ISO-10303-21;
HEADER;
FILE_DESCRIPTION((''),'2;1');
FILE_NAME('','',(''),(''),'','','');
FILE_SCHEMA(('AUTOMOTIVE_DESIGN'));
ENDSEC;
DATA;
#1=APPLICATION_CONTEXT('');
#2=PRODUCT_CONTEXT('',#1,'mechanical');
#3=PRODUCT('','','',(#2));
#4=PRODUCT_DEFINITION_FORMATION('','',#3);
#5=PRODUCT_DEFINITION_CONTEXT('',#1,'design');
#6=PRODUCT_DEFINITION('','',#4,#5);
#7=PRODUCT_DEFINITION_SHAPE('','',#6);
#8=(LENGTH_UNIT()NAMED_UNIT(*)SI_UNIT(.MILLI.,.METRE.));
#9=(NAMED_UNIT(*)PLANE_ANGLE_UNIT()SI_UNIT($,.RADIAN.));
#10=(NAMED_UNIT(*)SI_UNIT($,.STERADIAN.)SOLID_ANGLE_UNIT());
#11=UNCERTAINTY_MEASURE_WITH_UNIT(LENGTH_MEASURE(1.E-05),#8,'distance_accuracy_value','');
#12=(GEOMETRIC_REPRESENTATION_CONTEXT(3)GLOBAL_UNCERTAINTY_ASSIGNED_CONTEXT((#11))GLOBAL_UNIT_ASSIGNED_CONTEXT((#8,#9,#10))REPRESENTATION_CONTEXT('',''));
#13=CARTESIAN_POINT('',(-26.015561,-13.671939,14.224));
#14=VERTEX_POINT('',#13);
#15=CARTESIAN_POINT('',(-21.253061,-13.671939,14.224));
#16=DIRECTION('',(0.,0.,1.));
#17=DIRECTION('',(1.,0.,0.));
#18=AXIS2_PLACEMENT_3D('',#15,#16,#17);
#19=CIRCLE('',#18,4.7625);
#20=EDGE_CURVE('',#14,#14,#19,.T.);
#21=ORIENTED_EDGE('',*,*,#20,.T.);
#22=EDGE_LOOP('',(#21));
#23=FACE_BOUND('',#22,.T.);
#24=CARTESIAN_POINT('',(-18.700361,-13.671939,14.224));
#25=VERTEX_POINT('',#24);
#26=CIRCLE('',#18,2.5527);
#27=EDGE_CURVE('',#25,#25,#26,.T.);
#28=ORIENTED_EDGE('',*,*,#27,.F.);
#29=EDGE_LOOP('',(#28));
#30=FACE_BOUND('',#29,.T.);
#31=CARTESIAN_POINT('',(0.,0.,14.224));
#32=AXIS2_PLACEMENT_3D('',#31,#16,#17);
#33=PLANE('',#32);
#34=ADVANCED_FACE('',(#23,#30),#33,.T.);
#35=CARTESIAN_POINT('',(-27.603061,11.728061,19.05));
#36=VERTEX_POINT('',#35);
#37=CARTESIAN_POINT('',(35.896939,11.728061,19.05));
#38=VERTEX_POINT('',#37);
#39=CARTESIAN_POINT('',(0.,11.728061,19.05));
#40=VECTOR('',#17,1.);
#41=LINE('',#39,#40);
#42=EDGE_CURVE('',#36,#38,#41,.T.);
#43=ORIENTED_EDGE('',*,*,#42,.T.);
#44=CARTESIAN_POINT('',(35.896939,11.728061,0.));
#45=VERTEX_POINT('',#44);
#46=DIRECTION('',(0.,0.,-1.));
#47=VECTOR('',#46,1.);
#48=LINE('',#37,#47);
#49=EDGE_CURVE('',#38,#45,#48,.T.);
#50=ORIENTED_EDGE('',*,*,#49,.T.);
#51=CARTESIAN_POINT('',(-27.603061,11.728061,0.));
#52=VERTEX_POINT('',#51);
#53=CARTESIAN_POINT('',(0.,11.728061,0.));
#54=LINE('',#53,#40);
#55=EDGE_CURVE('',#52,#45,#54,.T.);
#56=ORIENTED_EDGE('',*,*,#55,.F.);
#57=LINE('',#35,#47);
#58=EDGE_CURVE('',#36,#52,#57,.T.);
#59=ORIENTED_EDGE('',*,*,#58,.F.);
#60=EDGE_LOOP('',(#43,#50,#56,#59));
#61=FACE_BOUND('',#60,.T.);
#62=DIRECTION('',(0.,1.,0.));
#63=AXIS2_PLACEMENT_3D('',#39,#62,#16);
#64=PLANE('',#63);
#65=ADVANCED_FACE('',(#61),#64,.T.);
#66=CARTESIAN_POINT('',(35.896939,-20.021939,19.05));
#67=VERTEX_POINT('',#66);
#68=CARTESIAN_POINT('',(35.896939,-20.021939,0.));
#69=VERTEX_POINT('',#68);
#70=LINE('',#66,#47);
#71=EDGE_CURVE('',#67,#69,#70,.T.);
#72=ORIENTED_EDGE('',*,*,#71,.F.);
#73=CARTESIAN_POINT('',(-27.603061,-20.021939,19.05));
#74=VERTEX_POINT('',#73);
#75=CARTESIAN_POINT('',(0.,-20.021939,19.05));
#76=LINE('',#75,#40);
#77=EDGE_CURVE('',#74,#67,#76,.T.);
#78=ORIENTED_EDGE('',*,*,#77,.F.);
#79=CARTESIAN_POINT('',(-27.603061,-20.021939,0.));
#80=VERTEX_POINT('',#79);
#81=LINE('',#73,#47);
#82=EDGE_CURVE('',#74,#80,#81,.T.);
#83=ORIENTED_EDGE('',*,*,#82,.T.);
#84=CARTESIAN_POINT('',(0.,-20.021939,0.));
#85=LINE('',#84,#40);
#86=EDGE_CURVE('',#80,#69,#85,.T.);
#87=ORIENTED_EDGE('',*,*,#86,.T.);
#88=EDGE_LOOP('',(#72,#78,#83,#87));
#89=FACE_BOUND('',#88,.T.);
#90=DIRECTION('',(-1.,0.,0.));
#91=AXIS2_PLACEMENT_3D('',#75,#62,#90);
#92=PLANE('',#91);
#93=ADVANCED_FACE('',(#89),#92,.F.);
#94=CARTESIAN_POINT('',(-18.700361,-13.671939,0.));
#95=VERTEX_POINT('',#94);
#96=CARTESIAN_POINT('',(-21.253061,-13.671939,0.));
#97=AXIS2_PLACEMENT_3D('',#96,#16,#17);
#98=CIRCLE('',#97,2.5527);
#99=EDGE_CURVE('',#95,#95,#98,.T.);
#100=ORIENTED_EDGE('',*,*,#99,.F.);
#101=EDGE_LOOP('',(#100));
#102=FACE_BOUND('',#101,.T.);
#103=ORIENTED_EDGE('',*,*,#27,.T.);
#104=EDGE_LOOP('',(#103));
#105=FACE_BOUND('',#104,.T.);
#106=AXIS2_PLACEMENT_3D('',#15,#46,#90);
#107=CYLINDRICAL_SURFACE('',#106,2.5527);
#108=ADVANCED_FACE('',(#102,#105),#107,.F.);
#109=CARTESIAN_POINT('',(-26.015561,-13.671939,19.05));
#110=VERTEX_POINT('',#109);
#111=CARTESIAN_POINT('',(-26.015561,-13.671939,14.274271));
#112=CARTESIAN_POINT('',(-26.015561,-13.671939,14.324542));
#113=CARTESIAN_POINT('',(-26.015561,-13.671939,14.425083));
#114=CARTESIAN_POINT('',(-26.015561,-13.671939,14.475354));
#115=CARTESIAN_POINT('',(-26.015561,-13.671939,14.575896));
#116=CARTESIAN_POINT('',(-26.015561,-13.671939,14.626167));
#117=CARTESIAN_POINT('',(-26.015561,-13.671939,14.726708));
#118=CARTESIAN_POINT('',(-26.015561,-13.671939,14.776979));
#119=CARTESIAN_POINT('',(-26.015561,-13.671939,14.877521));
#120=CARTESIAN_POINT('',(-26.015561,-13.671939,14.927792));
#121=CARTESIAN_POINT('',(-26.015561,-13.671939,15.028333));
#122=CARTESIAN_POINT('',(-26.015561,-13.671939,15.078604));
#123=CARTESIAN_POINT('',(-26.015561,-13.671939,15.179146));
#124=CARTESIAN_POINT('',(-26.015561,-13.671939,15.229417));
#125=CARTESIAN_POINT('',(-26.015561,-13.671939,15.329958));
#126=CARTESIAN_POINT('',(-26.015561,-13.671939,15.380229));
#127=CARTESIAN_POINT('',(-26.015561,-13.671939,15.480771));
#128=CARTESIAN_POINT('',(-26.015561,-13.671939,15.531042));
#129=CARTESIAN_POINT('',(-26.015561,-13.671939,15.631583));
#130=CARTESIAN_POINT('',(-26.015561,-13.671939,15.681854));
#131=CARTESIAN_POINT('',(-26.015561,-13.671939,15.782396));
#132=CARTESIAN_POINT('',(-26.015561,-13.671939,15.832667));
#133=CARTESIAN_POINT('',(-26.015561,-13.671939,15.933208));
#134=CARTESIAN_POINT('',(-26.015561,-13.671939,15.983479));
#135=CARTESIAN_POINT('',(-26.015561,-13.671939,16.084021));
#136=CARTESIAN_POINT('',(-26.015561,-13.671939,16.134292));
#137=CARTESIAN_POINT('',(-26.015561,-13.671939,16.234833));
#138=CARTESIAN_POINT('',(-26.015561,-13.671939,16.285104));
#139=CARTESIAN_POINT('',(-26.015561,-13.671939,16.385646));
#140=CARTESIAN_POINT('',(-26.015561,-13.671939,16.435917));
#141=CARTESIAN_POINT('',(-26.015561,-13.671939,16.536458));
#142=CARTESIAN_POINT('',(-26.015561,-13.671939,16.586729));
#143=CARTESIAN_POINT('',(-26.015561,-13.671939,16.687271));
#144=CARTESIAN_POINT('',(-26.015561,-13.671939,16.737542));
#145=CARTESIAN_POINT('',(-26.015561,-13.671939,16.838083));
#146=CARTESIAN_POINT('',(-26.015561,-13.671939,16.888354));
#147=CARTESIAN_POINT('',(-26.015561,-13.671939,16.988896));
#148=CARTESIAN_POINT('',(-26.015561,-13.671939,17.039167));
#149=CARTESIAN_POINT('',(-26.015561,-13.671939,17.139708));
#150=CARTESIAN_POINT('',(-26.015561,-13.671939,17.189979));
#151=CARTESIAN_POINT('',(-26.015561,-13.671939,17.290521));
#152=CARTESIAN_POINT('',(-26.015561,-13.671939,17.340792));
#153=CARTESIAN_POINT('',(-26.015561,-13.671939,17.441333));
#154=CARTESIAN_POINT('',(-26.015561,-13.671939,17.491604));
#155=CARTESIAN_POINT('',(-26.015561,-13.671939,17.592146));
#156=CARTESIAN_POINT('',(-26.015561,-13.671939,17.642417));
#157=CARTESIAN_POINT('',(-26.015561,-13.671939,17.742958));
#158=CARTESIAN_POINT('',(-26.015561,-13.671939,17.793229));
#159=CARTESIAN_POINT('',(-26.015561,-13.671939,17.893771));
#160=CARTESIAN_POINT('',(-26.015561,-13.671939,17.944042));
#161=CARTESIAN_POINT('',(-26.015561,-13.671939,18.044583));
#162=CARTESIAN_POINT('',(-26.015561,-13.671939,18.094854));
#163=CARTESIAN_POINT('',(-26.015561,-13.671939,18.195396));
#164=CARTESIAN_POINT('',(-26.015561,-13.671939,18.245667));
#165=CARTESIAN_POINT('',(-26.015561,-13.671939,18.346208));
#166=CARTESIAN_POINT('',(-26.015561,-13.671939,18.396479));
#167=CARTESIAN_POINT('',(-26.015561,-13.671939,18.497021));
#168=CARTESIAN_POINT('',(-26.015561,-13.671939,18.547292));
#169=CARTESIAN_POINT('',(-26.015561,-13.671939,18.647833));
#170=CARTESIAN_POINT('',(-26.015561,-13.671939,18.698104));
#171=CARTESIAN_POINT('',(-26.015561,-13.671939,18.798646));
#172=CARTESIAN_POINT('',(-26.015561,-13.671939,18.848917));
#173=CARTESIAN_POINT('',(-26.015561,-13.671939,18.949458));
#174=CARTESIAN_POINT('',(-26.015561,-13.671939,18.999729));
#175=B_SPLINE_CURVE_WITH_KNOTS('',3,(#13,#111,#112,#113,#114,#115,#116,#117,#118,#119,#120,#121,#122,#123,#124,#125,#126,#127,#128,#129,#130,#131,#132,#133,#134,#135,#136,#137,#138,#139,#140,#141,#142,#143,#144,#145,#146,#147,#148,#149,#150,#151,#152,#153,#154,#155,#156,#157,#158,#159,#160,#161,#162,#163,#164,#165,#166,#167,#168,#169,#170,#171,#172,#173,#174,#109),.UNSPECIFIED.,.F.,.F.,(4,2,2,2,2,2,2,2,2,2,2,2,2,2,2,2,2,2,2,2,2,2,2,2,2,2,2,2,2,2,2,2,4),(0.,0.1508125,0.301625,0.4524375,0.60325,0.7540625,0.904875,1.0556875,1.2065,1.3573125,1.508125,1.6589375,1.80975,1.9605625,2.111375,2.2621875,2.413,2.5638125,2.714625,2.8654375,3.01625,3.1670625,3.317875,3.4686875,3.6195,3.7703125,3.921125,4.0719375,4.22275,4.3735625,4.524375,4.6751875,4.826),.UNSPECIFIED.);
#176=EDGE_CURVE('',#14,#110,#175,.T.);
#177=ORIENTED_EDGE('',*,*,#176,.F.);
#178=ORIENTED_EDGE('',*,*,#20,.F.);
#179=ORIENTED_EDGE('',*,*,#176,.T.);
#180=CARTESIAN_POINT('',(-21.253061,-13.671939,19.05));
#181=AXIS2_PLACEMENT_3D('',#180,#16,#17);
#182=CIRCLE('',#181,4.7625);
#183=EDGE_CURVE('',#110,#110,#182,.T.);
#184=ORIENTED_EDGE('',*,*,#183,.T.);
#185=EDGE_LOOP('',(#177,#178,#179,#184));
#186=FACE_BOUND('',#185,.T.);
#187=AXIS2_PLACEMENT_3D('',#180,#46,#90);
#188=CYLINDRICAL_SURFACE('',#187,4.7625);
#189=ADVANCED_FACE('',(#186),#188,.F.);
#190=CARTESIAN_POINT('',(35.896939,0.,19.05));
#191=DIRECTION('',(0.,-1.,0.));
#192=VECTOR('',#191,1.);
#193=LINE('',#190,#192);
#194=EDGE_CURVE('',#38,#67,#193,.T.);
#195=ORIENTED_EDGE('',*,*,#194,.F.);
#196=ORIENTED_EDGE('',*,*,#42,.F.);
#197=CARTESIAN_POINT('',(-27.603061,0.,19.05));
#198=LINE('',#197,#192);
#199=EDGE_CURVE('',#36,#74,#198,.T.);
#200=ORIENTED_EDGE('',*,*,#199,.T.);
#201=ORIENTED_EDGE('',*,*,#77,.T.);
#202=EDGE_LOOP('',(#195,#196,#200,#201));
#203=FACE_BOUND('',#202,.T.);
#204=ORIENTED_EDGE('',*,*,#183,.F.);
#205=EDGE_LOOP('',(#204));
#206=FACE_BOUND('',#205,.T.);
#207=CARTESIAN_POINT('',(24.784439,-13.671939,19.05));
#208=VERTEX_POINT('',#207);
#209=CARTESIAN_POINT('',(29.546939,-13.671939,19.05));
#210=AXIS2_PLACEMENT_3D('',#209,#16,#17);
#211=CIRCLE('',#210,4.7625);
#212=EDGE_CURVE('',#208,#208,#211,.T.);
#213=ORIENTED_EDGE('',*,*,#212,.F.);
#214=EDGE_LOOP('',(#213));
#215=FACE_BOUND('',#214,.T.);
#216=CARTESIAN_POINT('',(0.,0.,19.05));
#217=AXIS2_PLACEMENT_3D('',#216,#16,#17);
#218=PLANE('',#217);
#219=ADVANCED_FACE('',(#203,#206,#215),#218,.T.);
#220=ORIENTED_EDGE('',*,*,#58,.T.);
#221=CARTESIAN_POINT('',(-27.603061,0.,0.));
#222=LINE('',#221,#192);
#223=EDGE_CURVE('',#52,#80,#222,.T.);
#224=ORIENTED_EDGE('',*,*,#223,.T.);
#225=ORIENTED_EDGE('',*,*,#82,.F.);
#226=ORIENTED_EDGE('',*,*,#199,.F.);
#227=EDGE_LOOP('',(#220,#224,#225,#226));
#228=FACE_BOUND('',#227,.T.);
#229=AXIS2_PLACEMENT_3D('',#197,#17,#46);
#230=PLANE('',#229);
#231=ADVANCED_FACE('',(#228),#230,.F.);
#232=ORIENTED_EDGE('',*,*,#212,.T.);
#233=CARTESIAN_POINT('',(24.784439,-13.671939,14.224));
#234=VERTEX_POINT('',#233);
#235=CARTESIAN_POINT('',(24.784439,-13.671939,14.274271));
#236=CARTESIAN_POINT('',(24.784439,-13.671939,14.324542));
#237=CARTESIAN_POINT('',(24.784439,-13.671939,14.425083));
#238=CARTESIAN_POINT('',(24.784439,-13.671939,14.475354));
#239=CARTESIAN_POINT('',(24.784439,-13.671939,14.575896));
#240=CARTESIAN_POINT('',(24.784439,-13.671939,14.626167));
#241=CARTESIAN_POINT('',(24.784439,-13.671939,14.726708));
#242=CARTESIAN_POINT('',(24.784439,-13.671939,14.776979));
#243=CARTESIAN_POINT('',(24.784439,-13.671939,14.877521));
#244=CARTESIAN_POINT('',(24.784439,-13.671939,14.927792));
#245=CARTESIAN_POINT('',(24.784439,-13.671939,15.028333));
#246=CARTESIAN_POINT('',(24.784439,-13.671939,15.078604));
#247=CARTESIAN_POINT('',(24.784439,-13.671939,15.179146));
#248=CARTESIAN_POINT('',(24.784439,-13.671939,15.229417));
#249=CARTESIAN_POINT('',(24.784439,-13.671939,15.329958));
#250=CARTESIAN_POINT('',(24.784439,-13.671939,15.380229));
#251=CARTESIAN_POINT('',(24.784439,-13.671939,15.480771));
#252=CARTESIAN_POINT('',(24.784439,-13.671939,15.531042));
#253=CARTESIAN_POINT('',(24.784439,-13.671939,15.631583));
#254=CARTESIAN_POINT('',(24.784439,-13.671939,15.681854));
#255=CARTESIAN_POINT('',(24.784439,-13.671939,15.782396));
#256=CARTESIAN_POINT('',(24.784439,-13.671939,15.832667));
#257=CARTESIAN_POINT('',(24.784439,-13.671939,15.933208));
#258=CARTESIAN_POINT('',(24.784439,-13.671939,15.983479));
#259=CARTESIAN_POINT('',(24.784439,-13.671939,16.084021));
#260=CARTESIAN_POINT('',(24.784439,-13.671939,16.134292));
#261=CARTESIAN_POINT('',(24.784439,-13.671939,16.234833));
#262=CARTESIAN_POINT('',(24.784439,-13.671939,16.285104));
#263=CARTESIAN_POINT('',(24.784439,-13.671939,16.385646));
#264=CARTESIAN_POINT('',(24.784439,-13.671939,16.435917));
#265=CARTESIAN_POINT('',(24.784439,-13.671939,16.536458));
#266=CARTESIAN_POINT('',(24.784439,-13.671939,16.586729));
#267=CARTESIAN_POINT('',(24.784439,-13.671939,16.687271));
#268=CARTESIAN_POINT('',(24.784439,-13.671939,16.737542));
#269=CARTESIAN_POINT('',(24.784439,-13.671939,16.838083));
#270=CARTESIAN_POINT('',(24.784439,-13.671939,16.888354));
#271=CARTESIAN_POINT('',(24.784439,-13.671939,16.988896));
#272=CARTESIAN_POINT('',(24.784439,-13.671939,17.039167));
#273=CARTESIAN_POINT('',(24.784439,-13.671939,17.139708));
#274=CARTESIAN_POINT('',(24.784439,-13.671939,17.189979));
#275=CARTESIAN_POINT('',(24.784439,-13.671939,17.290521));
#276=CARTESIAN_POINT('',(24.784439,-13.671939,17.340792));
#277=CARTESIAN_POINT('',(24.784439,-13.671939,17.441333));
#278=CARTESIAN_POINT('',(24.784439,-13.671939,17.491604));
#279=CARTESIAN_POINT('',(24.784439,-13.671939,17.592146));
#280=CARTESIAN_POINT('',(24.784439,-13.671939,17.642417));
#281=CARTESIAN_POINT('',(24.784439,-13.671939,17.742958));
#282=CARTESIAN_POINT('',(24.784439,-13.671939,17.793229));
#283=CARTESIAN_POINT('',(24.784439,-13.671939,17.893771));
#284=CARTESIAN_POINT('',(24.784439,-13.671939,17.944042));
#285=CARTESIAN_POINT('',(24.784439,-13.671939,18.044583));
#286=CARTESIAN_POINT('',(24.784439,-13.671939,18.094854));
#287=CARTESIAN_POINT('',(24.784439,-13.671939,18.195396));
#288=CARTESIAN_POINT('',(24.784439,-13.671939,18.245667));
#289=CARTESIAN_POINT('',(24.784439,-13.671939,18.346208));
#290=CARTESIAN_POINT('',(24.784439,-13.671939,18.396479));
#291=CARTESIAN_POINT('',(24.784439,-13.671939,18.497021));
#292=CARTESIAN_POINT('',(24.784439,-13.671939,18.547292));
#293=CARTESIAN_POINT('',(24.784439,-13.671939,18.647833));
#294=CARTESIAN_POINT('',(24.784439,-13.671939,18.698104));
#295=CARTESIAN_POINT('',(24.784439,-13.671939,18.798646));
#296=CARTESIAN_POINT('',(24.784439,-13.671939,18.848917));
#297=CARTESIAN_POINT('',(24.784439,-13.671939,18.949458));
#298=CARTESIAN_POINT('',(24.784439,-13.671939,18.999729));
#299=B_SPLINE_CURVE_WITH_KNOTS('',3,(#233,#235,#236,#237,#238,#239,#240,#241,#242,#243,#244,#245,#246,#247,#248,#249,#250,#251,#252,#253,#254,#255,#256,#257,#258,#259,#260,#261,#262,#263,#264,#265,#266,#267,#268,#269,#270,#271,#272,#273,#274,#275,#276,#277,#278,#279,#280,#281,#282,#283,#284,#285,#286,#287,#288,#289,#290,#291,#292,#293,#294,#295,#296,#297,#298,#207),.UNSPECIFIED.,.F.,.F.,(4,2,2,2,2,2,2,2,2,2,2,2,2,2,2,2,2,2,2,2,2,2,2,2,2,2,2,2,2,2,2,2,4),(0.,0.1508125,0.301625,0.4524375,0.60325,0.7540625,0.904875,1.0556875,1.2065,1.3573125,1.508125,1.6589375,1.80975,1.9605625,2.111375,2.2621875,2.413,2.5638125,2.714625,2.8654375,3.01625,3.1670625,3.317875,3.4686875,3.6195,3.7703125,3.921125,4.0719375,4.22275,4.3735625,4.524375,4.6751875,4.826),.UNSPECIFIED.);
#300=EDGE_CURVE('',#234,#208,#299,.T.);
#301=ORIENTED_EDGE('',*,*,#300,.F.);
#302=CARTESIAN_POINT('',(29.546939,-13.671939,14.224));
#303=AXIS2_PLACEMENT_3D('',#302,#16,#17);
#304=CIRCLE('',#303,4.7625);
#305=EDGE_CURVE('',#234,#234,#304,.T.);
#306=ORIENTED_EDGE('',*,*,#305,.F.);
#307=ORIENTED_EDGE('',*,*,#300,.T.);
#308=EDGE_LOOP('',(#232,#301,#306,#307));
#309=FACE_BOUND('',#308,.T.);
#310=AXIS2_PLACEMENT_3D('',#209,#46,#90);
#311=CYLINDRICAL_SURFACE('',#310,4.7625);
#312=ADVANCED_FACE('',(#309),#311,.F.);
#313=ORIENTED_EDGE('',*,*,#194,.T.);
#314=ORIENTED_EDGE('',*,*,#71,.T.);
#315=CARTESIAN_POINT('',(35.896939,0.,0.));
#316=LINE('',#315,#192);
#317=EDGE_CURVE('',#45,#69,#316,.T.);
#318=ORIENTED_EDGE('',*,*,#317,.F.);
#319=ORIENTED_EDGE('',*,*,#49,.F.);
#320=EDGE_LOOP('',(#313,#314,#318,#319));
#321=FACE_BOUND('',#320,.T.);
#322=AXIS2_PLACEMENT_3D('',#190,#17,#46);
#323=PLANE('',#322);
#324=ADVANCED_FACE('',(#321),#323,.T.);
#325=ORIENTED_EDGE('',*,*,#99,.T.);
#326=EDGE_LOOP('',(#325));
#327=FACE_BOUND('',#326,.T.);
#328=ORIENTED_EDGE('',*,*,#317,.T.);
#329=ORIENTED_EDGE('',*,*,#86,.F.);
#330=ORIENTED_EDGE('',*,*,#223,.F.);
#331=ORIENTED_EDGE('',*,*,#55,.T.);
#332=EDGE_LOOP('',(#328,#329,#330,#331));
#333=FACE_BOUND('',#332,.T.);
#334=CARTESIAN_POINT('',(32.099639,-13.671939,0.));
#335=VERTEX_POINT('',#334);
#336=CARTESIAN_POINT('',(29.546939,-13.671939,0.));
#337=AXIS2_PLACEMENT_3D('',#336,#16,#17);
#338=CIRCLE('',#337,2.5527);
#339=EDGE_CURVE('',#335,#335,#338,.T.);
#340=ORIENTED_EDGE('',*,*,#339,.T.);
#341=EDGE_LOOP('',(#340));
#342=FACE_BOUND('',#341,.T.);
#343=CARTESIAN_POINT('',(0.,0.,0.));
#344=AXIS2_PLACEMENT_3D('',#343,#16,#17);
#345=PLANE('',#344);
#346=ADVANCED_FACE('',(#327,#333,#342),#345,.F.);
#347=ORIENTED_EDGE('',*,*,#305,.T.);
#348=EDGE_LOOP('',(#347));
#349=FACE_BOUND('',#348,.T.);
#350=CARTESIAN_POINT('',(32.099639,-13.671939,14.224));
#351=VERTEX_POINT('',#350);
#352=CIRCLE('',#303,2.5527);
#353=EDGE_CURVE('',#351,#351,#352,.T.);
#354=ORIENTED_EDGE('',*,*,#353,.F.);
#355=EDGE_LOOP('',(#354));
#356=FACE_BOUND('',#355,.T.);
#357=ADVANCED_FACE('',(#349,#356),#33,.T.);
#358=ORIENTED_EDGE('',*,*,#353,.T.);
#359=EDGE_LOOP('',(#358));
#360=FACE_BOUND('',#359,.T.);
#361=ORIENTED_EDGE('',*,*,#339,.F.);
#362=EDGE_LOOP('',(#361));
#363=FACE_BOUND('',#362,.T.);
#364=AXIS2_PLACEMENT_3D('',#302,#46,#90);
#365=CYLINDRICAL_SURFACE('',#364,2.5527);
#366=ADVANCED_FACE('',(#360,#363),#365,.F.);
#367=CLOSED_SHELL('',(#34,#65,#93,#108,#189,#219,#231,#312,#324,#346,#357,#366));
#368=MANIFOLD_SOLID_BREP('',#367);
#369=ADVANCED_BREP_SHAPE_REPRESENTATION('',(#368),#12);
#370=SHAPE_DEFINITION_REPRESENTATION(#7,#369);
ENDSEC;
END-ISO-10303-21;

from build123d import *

# Parameters (mm, degrees)
SKETCH1_W           = 63.5
SKETCH1_H           = 31.75
SKETCH1_R           = 4.7625
BOSS_EXTRUDE1_DEPTH = 19.05
SKETCH1_3_R         = 4.7625
SKETCH1_3_R_2       = 2.5527
BOSS_EXTRUDE2_DEPTH = 14.224


with BuildPart() as part:
    # Sketch1 → Boss-Extrude1 (new body)
    with BuildSketch(Plane.XY):
        with Locations((4.146938776, -4.146938776)):
            Rectangle(SKETCH1_W, SKETCH1_H)
        with Locations((-21.253061224, -13.671938776)):
            Circle(SKETCH1_R, mode=Mode.SUBTRACT)
        with Locations((29.546938776, -13.671938776)):
            Circle(SKETCH1_R, mode=Mode.SUBTRACT)
    extrude(amount=BOSS_EXTRUDE1_DEPTH)

    # Sketch1<3> → Boss-Extrude2 (add)
    # profile 1 of 2: a face of its own
    with BuildSketch(Plane.XY):
        with Locations((-21.253061224, -13.671938776)):
            Circle(SKETCH1_3_R)
        with Locations((-21.253061224, -13.671938776)):
            Circle(SKETCH1_3_R_2, mode=Mode.SUBTRACT)
    # profile 2 of 2: a face of its own
    with BuildSketch(Plane.XY):
        with Locations((29.546938776, -13.671938776)):
            Circle(SKETCH1_3_R)
        with Locations((29.546938776, -13.671938776)):
            Circle(SKETCH1_3_R_2, mode=Mode.SUBTRACT)
    extrude(amount=BOSS_EXTRUDE2_DEPTH)


solid = part.part
